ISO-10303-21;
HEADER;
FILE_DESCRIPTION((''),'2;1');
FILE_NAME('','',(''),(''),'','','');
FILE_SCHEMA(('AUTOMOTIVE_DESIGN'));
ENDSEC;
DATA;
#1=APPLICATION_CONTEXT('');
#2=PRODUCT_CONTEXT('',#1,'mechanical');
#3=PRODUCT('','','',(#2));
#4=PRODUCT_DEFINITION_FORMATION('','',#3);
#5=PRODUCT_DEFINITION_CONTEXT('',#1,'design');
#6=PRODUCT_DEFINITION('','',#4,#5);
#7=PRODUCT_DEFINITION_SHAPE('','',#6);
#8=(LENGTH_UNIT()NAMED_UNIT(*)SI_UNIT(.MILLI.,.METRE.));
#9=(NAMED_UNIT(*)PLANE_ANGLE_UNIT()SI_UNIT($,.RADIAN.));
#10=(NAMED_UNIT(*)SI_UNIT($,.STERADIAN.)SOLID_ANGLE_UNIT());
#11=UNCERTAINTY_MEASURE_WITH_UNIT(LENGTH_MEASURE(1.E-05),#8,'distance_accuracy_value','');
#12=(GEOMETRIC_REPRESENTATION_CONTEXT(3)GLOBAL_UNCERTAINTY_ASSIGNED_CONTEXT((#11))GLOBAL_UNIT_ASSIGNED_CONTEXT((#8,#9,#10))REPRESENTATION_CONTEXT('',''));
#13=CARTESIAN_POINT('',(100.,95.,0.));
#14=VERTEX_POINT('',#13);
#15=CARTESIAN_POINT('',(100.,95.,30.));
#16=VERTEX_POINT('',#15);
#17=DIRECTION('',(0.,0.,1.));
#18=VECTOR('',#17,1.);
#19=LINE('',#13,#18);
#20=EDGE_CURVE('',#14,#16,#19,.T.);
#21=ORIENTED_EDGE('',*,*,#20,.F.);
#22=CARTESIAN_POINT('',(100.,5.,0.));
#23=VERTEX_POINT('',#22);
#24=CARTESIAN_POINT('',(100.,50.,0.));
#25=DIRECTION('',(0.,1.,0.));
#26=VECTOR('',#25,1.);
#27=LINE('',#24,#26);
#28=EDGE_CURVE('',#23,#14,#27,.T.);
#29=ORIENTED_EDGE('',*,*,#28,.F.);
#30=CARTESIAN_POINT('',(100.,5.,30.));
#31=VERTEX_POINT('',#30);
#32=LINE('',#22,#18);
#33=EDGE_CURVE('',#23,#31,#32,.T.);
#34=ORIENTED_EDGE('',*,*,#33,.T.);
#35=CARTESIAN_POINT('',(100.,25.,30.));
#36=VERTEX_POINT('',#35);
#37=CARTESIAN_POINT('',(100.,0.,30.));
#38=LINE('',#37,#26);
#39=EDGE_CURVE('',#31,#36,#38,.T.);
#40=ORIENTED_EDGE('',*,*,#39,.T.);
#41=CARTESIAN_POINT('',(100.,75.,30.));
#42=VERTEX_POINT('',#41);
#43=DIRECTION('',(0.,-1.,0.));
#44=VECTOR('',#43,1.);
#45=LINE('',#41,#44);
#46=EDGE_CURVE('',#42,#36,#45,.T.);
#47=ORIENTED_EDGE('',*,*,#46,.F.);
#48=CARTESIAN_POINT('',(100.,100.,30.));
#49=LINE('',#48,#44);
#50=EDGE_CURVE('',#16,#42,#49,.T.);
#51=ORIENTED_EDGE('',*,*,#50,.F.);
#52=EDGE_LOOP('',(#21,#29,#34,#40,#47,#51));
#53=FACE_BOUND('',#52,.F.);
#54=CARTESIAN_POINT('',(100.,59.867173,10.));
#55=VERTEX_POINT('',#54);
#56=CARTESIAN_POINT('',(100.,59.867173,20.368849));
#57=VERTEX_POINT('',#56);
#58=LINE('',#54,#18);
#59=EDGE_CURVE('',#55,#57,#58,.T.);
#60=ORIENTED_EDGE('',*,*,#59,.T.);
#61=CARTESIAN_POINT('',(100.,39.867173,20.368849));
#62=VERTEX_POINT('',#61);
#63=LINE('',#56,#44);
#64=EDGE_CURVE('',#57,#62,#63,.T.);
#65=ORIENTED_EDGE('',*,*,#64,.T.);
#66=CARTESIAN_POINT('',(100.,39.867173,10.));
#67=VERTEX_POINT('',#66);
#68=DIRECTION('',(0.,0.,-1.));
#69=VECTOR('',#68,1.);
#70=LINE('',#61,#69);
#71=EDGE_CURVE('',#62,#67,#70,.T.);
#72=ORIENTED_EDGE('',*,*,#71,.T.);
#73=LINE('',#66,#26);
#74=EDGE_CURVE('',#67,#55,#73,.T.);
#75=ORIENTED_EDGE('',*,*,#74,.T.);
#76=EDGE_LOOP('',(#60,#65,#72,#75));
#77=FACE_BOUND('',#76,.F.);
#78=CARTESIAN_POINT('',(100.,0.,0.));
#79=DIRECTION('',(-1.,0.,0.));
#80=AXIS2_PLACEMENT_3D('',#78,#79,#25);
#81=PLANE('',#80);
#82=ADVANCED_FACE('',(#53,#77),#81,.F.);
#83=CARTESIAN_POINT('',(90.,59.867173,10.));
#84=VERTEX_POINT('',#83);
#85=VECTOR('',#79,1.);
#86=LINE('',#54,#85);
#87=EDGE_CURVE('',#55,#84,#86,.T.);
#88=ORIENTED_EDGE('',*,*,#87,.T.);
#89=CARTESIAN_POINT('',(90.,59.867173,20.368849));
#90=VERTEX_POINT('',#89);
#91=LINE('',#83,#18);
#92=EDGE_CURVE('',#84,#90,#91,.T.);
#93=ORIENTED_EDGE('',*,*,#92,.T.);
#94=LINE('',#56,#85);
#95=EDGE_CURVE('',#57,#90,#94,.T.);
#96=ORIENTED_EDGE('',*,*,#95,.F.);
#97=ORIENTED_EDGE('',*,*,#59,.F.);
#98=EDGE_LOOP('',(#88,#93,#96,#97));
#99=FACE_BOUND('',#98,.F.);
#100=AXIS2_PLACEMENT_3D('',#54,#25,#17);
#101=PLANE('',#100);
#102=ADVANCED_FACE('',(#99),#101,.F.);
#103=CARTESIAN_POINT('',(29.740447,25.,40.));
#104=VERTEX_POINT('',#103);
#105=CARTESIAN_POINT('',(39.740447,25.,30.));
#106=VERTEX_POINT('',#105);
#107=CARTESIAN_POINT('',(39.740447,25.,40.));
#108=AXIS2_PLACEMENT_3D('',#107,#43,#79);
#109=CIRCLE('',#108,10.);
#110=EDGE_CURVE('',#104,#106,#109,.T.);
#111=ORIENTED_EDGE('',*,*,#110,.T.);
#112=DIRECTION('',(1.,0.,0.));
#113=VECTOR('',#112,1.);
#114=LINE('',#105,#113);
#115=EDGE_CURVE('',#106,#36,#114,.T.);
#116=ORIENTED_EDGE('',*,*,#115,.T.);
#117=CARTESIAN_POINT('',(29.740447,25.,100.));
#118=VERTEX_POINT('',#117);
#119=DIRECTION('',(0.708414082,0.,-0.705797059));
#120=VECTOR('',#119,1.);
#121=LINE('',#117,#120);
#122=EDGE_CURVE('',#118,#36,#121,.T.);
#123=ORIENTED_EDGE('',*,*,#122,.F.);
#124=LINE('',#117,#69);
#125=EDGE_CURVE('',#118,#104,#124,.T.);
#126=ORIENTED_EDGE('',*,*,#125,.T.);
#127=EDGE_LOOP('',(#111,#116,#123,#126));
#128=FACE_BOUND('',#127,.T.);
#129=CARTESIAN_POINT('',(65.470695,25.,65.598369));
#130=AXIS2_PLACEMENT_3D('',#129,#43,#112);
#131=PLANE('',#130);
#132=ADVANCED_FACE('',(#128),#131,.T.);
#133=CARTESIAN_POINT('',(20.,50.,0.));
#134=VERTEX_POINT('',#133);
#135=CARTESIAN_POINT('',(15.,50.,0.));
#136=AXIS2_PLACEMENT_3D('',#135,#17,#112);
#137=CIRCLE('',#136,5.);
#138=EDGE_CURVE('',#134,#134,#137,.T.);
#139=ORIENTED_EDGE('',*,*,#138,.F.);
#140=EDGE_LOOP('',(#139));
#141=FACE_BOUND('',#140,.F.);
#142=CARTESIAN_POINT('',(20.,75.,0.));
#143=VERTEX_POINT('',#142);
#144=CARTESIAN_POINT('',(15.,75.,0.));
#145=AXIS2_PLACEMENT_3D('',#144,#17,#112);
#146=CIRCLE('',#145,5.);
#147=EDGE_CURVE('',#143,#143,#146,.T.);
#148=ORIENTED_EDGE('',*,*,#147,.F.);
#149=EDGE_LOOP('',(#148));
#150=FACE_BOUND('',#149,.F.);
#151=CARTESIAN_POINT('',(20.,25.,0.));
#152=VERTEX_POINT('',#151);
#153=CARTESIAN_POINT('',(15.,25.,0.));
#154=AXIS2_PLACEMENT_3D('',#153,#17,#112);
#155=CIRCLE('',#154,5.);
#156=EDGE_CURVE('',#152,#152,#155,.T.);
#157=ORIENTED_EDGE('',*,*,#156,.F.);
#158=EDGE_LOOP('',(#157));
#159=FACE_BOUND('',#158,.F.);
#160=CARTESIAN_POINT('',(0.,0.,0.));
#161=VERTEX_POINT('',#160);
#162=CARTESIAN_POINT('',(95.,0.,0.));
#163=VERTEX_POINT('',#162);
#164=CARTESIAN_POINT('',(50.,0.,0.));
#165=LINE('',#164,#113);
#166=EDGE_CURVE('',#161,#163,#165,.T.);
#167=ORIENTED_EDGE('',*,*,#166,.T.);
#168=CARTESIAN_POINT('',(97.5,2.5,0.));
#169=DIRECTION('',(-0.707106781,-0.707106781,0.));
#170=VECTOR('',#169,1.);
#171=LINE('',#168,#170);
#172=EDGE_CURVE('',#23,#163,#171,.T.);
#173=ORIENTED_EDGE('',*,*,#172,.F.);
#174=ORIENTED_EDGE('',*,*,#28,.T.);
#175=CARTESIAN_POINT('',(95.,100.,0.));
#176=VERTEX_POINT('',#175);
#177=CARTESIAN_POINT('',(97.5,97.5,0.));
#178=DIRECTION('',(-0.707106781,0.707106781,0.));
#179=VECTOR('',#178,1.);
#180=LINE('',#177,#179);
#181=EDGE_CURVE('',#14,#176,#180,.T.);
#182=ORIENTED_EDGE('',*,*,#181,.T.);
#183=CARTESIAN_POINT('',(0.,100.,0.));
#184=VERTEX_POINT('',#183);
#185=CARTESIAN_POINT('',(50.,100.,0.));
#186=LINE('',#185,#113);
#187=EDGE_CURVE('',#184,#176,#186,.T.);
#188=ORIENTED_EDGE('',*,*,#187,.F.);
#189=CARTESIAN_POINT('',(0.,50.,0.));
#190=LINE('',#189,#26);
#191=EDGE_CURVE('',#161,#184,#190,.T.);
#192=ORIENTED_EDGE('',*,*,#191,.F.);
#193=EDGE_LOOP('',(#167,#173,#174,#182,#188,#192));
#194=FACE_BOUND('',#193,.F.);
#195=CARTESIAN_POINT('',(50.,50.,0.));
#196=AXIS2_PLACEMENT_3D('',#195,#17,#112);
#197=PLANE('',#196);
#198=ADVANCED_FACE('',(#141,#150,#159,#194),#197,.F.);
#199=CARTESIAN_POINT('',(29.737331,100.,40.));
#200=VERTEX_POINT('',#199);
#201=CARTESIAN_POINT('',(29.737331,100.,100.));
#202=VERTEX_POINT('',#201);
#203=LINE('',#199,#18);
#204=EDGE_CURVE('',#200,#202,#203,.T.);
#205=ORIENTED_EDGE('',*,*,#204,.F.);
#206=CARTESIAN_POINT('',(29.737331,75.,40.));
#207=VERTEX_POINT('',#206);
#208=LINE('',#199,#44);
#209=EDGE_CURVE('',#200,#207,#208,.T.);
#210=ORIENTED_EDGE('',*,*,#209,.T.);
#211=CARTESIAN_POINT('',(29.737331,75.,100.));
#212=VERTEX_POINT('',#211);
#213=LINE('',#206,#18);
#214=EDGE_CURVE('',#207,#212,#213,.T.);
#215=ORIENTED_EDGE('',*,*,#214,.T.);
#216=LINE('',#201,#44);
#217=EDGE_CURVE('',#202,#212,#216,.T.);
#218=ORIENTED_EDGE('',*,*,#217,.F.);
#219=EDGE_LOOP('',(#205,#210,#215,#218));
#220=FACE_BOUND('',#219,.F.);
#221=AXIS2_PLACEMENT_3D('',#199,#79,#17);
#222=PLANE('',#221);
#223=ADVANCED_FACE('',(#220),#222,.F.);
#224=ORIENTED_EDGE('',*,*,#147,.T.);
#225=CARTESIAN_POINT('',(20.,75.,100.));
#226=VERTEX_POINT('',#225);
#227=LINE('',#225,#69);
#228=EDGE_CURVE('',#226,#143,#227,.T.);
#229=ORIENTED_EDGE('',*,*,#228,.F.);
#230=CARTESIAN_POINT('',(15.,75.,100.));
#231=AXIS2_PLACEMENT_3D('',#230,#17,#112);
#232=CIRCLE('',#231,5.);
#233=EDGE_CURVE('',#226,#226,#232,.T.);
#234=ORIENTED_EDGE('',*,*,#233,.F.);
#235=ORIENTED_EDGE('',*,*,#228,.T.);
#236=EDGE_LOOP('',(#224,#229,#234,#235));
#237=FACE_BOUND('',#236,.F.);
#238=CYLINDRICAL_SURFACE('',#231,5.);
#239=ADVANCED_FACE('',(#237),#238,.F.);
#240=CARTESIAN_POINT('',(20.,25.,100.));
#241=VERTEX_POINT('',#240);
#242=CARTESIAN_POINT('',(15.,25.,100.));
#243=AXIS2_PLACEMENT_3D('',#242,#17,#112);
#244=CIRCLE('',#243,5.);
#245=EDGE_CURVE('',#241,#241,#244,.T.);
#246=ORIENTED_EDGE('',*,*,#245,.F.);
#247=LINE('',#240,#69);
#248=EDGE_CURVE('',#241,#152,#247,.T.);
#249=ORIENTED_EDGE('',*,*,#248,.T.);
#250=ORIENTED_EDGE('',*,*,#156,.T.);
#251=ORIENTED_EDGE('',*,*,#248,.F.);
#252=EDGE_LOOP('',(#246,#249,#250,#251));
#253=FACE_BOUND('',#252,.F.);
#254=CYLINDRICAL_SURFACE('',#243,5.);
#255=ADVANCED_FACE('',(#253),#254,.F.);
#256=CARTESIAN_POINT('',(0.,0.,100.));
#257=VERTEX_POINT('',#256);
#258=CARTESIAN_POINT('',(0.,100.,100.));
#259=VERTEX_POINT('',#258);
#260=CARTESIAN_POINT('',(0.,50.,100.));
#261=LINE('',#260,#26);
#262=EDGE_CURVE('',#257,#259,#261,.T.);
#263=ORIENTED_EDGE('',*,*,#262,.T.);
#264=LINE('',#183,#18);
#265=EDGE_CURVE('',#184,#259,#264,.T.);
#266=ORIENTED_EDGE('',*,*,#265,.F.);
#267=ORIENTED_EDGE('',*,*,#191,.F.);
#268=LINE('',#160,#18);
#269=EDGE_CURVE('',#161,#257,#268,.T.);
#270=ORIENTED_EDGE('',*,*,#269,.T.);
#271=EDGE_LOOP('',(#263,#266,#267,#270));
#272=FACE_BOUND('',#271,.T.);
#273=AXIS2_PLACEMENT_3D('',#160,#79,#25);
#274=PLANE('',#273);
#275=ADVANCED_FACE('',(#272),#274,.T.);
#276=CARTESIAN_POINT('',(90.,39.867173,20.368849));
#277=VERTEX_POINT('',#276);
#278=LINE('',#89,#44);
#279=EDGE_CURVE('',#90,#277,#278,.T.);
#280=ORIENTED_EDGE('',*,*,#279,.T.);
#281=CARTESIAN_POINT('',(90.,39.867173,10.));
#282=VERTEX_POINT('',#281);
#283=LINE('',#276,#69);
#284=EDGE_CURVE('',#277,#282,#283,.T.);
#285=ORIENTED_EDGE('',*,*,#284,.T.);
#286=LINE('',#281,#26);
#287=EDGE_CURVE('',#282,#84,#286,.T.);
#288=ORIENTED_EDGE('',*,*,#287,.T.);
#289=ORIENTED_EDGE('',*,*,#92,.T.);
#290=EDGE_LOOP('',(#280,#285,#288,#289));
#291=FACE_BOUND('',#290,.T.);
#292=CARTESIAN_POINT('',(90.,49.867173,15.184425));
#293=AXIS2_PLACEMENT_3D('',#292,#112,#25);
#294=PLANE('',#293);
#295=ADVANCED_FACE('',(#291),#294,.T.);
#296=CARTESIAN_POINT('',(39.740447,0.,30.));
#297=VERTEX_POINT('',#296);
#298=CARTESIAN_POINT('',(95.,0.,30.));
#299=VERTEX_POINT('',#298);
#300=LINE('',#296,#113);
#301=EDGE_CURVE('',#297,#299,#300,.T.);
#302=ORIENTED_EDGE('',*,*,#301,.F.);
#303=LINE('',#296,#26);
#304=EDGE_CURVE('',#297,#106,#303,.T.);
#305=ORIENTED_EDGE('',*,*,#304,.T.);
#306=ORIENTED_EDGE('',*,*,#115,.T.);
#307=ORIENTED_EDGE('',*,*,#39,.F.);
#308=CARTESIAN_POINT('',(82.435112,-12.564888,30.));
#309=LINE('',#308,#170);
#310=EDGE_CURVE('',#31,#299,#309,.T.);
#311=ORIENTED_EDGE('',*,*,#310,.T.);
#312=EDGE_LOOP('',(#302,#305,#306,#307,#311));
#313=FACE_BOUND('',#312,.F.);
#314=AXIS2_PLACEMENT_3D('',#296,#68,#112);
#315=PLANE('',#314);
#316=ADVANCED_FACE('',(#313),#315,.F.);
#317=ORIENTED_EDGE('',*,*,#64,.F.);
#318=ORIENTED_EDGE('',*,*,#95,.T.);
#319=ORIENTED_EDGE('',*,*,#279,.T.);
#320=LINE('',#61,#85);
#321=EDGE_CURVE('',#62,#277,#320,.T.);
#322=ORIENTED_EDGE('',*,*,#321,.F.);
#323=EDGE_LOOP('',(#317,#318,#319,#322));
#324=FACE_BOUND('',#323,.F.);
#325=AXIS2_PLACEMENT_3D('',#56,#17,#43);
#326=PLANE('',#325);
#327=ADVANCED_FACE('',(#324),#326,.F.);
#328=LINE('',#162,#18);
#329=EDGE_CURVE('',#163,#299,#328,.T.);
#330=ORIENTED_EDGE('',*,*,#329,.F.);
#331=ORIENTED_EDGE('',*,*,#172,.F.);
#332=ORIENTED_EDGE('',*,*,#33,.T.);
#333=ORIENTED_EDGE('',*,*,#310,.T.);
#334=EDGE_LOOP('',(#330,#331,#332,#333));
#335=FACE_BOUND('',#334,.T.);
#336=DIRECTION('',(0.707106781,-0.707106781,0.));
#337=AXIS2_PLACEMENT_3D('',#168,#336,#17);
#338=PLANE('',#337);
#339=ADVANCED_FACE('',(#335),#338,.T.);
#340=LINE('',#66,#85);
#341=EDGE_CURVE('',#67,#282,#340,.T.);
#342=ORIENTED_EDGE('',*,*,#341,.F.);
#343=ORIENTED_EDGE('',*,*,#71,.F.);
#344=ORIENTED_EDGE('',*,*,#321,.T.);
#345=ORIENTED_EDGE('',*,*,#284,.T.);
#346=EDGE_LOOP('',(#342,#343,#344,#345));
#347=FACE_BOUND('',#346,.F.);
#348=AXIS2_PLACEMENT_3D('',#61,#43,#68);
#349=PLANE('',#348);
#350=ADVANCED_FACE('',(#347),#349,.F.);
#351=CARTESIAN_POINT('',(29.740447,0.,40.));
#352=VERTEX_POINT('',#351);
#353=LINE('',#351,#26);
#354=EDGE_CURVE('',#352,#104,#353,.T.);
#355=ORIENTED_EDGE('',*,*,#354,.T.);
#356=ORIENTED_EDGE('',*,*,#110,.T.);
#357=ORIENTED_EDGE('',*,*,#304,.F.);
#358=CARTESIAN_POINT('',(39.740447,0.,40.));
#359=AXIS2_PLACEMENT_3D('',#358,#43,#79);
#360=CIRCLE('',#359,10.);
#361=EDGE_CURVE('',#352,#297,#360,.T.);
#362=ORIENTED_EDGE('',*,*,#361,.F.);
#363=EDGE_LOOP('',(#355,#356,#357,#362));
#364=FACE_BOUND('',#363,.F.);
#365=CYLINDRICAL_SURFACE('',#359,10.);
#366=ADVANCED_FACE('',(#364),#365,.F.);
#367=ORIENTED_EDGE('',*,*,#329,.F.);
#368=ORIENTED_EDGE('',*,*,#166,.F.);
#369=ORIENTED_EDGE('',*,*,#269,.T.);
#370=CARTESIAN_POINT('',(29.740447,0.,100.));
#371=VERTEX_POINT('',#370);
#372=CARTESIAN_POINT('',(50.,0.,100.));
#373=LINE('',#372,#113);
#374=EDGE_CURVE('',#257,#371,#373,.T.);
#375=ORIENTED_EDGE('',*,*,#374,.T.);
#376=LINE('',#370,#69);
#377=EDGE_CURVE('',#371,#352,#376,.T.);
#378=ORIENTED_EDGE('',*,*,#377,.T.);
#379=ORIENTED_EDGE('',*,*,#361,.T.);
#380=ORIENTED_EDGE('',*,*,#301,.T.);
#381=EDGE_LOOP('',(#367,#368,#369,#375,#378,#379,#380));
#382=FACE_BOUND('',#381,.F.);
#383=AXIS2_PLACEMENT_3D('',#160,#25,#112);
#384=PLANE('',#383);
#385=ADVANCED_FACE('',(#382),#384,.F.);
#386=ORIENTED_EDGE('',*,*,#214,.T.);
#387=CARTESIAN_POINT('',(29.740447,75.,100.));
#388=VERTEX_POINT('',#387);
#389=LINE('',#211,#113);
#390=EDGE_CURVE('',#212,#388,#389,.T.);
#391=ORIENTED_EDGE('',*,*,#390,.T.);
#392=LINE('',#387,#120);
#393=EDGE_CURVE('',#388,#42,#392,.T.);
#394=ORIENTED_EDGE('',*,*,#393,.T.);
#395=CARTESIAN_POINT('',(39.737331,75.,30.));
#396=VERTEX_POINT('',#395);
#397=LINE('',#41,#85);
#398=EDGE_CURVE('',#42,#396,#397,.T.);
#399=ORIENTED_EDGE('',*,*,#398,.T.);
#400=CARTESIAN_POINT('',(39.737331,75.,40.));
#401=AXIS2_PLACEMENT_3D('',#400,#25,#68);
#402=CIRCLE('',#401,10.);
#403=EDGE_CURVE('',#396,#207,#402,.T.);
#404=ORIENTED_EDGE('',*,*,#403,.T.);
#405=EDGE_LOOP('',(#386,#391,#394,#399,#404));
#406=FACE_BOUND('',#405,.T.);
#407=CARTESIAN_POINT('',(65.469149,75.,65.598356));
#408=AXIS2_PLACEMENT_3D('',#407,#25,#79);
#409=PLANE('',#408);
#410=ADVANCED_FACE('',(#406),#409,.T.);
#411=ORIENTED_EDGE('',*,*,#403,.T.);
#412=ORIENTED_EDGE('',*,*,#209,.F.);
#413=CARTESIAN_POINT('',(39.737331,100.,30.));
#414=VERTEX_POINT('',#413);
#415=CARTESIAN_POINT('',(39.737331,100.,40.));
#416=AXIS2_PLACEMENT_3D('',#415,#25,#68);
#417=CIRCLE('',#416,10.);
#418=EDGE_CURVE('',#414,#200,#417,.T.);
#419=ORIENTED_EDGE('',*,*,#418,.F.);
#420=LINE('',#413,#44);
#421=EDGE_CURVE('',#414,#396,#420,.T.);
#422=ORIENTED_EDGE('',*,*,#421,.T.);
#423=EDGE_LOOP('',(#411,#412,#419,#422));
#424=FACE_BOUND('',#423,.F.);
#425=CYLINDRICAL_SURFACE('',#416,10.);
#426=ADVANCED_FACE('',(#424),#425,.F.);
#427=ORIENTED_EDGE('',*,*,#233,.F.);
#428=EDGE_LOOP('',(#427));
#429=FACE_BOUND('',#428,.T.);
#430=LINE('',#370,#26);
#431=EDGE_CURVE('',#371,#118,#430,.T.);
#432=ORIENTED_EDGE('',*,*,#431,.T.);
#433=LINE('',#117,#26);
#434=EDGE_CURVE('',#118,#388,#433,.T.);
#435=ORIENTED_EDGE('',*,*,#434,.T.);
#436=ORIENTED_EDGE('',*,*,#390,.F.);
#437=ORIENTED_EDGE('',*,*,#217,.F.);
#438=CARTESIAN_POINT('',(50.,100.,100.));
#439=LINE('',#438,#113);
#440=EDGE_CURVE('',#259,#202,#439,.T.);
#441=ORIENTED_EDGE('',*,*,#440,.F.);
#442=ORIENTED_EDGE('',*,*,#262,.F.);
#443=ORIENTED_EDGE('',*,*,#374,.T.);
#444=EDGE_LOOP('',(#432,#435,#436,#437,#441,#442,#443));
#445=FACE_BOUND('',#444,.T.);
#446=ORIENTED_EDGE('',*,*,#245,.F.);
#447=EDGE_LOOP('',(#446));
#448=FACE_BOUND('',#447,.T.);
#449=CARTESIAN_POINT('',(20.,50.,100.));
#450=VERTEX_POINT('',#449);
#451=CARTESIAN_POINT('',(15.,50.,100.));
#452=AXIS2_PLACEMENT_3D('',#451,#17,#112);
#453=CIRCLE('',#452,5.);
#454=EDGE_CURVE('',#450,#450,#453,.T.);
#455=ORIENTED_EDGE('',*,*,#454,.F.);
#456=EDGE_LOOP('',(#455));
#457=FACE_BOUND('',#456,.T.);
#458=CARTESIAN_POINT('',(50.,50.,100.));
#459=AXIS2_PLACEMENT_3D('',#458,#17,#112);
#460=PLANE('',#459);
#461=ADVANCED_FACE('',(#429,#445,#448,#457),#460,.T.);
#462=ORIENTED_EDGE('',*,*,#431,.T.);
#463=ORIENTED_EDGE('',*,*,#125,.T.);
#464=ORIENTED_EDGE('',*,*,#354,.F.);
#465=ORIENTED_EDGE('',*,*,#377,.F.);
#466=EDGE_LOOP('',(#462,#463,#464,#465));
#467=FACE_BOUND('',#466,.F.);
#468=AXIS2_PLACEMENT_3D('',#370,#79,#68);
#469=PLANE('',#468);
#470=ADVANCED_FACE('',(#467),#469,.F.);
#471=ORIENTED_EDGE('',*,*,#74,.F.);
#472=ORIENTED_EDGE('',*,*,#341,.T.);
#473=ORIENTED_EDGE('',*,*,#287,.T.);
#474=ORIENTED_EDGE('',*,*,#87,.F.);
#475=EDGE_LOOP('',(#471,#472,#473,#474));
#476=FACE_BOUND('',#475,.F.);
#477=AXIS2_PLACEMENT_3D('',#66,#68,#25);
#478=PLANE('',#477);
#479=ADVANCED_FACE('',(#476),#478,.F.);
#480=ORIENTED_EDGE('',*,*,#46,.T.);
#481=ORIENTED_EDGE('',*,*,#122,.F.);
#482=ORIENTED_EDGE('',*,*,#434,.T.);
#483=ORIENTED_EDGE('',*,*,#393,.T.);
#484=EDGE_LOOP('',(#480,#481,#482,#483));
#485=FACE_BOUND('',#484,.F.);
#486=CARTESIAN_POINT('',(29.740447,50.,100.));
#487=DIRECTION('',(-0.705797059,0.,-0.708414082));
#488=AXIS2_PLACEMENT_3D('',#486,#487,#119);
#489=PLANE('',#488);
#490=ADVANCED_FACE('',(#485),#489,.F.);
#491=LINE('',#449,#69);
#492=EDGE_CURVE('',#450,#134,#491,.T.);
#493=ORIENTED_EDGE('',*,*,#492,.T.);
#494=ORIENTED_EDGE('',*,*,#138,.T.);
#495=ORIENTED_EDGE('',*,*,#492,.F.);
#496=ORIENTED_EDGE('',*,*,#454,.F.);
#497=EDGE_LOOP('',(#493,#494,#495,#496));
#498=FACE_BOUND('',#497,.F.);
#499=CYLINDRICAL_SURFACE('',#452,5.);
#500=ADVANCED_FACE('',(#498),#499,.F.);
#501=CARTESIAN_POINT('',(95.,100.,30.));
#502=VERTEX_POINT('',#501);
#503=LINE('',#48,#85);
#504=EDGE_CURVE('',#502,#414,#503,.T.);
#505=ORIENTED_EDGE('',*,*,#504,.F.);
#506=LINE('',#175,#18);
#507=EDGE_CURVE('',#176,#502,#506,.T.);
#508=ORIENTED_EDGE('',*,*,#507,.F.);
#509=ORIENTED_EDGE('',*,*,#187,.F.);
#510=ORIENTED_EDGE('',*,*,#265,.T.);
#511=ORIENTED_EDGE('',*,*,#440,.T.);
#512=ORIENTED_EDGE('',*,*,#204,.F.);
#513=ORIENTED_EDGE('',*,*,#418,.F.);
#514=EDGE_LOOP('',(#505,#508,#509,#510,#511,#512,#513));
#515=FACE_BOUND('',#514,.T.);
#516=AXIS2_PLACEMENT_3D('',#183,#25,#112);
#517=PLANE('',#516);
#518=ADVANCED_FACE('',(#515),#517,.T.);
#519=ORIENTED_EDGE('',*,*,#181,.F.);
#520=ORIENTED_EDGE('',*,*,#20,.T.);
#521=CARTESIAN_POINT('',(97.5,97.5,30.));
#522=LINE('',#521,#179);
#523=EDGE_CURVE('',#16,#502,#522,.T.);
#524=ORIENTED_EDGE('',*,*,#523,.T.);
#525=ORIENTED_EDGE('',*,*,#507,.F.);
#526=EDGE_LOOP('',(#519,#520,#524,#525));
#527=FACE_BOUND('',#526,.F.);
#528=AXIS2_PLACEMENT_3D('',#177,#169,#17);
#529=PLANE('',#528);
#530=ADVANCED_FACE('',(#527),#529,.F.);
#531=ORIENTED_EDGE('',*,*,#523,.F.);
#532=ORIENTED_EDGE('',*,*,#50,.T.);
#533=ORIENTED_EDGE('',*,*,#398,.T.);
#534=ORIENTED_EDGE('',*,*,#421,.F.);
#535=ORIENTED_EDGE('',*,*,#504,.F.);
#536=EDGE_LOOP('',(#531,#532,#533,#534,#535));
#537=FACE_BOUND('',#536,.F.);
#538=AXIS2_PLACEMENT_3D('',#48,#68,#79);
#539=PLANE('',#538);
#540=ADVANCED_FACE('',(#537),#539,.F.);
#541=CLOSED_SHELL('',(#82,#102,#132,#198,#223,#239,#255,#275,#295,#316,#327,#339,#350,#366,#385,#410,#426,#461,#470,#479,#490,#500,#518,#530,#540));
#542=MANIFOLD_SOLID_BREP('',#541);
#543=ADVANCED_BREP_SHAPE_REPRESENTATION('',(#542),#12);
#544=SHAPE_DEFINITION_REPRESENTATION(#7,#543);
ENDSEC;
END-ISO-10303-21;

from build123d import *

# Parameters (mm, degrees)
F0_W      = 100
F0_H      = 100
F1_DEPTH  = 100
F2_R      = 5
F3_DEPTH  = 100
F5_DEPTH  = 25
F8_DEPTH  = 25
F10_DEPTH = 25
F11_DEPTH = 25
F12_SIZE  = 5
F14_DEPTH = 10


with BuildPart() as f1:
    # F0 (on Top) → F1 (new body)
    with BuildSketch(Plane.XY):
        with Locations((50, 50)):
            Rectangle(F0_W, F0_H)
    extrude(amount=F1_DEPTH)

    # F2 (on face) → F3 (cut)
    with BuildSketch(Plane.XY.offset(100)):
        with Locations((15, 25)):
            Circle(F2_R)
        with Locations((15, 50)):
            Circle(F2_R)
        with Locations((15, 75)):
            Circle(F2_R)
    extrude(amount=-F3_DEPTH, mode=Mode.SUBTRACT)

    # F4 (on face) → F5 (cut)
    with BuildSketch(Plane.XZ):
        with BuildLine():
            Line((39.7404471785, 30), (50, 30))
            Line((50, 30), (100, 30))
            Line((100, 30), (100, 100))
            Line((100, 100), (29.7404471785, 100))
            Line((29.7404471785, 100), (29.7404471785, 40))
            ThreePointArc((29.7404471785, 40), (32.6693793666, 32.9289321881), (39.7404471785, 30))
        make_face()
    extrude(amount=-F5_DEPTH, mode=Mode.SUBTRACT)

    # F7 (on face) → F8 (cut)
    with BuildSketch(Plane(origin=(0, 100, 0), x_dir=(-1, 0, 0), z_dir=(0, 1, 0))):
        with BuildLine():
            Line((-100, 30), (-39.7373309731, 30))
            ThreePointArc((-39.7373309731, 30), (-32.6662631613, 32.9289321881), (-29.7373309731, 40))
            Line((-29.7373309731, 40), (-29.7373309731, 100))
            Line((-29.7373309731, 100), (-100, 100))
            Line((-100, 100), (-100, 30))
        make_face()
    extrude(amount=-F8_DEPTH, mode=Mode.SUBTRACT)

    # F9 (on face) → F10 (cut)
    with BuildSketch(Plane.XZ.offset(-25)):
        Polygon((100, 100), (29.7404471785, 100), (100, 30), align=None)
    extrude(amount=-F10_DEPTH, mode=Mode.SUBTRACT)

    # F11 (cut): a face of the model
    f11_faces = [f1.faces().sort_by_distance(p)[0] for p in [
        (76.5801490595, 50, 76.6666666667),
    ]]
    extrude(f11_faces, amount=-F11_DEPTH, mode=Mode.SUBTRACT)

    # F12
    f12_edges = [f1.edges().sort_by_distance(p)[0] for p in [
        (100, 0, 15),
        (100, 100, 15),
    ]]
    chamfer(f12_edges, length=F12_SIZE)

    # F13 (on face) → F14 (cut)
    with BuildSketch(Plane.YZ.offset(100)):
        Polygon((39.8671727255, 10), (49.8671727255, 10), (59.8671727255, 10), (59.8671727255, 20.3688494319), (39.8671727255, 20.3688494319), align=None)
    extrude(amount=-F14_DEPTH, mode=Mode.SUBTRACT)


solid = f1.part
